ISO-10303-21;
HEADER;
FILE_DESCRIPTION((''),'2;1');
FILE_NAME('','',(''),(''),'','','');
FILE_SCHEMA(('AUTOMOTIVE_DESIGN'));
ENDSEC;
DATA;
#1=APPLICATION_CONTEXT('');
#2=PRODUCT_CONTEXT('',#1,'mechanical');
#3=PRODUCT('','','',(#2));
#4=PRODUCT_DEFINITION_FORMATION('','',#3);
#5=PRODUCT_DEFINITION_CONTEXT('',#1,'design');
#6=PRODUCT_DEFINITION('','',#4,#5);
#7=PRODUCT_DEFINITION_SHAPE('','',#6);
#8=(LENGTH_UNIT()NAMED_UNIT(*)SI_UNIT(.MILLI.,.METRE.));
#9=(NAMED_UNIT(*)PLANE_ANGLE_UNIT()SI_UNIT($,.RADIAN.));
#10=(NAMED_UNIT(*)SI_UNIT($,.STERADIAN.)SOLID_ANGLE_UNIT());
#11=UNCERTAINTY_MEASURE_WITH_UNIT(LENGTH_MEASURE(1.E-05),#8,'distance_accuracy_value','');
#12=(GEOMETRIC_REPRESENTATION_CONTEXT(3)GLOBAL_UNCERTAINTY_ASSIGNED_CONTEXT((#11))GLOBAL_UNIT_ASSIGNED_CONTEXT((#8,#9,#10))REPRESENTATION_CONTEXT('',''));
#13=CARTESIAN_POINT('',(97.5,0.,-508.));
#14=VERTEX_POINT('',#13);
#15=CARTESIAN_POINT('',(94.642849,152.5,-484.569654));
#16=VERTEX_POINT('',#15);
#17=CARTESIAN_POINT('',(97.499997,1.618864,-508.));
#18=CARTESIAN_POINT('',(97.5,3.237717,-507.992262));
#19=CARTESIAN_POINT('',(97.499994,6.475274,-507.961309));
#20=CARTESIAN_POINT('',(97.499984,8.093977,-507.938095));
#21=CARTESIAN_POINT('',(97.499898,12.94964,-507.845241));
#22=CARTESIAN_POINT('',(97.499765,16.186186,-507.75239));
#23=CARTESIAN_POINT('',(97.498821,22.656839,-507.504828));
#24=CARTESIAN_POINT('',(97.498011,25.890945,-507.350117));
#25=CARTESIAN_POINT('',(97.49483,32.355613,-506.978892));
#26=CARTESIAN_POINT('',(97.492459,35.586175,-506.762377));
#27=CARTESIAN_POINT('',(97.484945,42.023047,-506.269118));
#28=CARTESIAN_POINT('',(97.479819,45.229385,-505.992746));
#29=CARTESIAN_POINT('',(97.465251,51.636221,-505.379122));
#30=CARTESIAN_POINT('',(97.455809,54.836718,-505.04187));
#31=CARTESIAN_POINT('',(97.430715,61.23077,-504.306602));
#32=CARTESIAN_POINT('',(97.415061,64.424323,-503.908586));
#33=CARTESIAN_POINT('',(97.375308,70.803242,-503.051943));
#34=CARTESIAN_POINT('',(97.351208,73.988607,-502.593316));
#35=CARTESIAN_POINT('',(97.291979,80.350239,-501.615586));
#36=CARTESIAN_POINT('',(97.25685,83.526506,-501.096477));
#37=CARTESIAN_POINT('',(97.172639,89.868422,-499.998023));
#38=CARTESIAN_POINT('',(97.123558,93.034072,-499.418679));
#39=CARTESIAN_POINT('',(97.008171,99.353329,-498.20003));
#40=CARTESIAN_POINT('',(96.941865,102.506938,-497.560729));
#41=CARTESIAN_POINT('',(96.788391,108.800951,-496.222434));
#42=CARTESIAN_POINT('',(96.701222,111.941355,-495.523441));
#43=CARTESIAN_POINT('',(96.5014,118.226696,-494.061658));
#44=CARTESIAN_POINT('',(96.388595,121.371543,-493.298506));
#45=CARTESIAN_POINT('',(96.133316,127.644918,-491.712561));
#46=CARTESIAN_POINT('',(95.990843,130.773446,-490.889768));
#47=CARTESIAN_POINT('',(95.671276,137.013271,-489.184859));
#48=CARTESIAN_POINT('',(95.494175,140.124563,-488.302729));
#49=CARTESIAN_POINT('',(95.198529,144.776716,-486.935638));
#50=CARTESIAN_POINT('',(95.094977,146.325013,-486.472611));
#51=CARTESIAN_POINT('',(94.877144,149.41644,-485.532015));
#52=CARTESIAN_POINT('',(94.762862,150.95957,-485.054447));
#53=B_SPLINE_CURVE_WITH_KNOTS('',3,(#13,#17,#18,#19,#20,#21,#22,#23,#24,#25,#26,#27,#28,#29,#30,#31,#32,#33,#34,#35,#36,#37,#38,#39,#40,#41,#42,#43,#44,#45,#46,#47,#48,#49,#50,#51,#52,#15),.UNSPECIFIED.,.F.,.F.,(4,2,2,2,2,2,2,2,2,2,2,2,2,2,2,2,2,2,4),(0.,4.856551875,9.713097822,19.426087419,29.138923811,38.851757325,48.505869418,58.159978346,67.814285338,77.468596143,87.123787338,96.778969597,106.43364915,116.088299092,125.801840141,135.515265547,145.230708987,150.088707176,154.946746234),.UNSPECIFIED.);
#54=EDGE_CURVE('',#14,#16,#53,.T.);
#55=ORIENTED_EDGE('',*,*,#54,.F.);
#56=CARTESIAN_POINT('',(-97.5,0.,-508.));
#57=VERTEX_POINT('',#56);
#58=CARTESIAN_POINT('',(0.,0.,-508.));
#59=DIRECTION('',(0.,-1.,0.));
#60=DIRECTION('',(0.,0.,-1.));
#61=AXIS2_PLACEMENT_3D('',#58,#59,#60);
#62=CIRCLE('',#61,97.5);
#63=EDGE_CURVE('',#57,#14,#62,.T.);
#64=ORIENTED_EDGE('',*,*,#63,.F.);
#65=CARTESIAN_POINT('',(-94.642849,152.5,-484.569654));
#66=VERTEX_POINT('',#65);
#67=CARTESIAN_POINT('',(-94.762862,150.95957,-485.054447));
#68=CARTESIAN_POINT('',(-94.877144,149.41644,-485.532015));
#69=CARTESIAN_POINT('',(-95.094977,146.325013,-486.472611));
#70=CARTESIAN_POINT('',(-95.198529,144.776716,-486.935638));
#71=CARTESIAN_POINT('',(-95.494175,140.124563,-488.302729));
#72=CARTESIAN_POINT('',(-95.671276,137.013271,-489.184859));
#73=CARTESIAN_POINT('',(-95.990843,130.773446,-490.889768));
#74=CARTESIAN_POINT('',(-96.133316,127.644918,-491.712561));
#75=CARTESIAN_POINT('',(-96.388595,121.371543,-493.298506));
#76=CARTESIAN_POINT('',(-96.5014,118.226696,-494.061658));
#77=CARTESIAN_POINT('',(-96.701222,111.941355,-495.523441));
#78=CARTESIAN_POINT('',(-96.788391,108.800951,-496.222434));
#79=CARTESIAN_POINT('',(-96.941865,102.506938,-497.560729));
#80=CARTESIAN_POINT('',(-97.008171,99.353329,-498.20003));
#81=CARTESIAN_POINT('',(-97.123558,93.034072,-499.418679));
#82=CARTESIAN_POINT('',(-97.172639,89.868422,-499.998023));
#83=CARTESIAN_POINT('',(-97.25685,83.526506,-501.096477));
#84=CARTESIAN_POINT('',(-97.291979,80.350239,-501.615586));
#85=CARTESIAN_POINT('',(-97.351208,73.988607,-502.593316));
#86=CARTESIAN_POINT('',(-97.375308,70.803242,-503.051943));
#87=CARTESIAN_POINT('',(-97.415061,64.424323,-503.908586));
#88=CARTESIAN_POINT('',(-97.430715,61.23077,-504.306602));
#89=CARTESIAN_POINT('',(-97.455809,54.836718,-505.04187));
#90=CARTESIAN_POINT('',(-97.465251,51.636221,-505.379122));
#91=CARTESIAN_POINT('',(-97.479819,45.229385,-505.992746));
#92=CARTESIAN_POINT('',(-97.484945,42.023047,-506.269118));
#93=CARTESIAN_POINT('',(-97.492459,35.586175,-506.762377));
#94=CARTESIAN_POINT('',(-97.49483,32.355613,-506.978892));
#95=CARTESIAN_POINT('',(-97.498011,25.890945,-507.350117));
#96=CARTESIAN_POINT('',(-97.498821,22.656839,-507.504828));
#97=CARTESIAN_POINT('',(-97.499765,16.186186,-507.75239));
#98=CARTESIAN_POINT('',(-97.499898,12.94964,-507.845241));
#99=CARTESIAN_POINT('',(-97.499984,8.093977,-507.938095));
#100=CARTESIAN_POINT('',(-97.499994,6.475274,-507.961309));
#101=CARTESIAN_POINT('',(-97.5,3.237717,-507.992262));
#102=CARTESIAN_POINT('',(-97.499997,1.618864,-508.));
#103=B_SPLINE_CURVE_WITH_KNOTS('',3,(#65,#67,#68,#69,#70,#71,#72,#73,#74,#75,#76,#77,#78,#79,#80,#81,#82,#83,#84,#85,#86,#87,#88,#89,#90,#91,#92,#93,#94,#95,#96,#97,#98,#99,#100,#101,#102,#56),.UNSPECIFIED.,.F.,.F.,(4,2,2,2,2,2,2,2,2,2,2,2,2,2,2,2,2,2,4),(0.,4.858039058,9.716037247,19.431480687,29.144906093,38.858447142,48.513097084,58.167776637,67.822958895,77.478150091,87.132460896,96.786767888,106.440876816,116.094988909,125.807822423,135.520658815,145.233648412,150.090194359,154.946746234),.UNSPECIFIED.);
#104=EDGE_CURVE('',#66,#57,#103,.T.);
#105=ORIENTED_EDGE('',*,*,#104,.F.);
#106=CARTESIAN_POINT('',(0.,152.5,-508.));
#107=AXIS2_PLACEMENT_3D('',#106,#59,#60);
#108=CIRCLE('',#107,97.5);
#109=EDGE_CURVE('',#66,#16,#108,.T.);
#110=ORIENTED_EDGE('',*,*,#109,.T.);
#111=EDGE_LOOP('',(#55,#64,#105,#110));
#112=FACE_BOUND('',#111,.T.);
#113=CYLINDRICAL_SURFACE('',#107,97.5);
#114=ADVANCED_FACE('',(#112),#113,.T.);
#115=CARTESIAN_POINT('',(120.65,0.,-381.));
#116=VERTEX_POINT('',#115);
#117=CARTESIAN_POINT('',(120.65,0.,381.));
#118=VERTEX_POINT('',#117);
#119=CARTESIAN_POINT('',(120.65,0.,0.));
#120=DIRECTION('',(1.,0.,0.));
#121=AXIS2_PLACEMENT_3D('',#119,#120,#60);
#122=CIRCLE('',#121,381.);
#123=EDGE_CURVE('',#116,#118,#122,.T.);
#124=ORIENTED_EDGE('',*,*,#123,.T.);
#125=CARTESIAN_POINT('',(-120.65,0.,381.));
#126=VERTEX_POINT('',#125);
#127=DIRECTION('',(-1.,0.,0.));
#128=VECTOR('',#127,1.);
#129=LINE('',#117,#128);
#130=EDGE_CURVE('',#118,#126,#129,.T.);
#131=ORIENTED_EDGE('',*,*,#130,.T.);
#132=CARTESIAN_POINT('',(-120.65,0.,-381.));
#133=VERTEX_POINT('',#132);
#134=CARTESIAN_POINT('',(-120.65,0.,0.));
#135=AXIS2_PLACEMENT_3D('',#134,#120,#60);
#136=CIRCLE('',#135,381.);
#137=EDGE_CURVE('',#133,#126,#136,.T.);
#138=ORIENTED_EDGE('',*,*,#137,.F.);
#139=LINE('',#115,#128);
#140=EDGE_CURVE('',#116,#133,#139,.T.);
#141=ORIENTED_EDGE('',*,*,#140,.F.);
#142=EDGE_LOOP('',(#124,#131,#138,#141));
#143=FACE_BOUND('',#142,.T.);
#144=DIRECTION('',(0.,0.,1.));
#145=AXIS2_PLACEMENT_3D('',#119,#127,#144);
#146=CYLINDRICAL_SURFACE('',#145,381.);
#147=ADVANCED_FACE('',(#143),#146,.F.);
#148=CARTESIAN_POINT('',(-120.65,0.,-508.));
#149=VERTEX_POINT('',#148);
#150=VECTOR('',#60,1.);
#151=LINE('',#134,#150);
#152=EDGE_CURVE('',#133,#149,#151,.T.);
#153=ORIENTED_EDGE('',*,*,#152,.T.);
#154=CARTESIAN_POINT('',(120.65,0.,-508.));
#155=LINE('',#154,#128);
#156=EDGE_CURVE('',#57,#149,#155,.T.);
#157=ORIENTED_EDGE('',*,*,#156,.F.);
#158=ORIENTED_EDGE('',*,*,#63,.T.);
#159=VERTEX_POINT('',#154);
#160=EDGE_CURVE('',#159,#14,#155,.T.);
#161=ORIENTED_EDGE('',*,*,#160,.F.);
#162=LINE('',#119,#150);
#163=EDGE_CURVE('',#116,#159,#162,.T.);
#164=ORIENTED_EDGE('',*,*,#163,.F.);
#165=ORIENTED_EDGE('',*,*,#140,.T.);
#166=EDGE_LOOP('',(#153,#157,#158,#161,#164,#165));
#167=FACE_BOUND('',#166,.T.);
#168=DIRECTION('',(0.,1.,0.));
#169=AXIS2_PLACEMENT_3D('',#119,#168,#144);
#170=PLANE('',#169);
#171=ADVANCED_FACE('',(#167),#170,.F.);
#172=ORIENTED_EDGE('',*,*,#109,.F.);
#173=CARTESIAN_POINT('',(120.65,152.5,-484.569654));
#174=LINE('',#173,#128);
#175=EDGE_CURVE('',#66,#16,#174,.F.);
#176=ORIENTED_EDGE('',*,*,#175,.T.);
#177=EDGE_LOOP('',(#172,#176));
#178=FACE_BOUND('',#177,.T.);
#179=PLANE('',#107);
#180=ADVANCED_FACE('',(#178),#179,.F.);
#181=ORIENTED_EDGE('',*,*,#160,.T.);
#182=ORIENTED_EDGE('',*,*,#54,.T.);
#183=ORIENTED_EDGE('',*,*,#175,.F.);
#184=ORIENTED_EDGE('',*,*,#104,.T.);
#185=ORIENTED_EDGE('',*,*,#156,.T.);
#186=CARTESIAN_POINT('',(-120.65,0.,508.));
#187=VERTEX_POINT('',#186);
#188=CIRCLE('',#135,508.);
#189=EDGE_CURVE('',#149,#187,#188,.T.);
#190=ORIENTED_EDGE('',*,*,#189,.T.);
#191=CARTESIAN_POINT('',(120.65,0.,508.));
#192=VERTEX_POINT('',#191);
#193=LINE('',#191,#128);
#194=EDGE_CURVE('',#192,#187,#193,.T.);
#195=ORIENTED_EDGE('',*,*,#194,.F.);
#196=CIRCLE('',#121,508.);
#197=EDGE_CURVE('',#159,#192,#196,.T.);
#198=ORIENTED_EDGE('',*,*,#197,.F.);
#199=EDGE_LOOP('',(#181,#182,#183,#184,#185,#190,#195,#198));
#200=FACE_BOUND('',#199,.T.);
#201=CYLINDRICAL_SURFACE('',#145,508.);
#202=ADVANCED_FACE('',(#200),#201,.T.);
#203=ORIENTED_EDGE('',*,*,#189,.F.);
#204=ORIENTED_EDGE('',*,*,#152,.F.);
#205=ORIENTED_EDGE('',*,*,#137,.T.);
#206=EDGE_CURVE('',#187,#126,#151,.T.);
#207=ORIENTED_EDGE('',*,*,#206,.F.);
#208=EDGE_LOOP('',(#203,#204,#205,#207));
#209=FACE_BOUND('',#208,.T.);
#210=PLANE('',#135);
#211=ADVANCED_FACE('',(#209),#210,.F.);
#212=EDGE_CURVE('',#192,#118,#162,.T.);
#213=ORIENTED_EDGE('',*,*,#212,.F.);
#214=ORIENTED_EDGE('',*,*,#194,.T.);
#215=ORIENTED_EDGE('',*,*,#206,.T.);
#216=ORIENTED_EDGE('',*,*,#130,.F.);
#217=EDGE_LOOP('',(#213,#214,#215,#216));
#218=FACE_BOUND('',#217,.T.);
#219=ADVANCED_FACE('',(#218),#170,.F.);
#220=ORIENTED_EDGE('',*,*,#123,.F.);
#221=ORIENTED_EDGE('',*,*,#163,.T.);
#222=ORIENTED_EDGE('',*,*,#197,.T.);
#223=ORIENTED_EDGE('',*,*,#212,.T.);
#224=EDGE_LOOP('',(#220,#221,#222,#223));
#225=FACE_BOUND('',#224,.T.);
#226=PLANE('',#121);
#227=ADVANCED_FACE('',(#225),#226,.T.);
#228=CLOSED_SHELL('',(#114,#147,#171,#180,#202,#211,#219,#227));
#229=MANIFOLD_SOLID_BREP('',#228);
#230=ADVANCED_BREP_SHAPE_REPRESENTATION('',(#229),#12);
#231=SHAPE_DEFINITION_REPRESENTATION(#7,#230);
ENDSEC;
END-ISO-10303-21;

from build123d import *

# Parameters (mm, degrees)
BOSS_EXTRUDE1_DEPTH = 120.65
SKETCH2_R           = 97.5
BOSS_EXTRUDE2_DEPTH = 152.5


with BuildPart() as part:
    # Sketch1 → Boss-Extrude1 (new, symmetric)
    with BuildSketch(Plane(origin=(0, 0, 0), x_dir=(0, 0, -1), z_dir=(1, 0, 0))):
        with BuildLine():
            ThreePointArc((508, 0), (0, 508), (-508, 0))
            Line((-508, 0), (-381, 0))
            ThreePointArc((-381, 0), (0, 381), (381, 0))
            Line((381, 0), (508, 0))
        make_face()
    extrude(amount=BOSS_EXTRUDE1_DEPTH, both=True)

    # Sketch2 → Boss-Extrude2 (add)
    with BuildSketch(Plane.XZ):
        with Locations((0, -508)):
            Circle(SKETCH2_R)
    extrude(amount=-BOSS_EXTRUDE2_DEPTH)


solid = part.part
